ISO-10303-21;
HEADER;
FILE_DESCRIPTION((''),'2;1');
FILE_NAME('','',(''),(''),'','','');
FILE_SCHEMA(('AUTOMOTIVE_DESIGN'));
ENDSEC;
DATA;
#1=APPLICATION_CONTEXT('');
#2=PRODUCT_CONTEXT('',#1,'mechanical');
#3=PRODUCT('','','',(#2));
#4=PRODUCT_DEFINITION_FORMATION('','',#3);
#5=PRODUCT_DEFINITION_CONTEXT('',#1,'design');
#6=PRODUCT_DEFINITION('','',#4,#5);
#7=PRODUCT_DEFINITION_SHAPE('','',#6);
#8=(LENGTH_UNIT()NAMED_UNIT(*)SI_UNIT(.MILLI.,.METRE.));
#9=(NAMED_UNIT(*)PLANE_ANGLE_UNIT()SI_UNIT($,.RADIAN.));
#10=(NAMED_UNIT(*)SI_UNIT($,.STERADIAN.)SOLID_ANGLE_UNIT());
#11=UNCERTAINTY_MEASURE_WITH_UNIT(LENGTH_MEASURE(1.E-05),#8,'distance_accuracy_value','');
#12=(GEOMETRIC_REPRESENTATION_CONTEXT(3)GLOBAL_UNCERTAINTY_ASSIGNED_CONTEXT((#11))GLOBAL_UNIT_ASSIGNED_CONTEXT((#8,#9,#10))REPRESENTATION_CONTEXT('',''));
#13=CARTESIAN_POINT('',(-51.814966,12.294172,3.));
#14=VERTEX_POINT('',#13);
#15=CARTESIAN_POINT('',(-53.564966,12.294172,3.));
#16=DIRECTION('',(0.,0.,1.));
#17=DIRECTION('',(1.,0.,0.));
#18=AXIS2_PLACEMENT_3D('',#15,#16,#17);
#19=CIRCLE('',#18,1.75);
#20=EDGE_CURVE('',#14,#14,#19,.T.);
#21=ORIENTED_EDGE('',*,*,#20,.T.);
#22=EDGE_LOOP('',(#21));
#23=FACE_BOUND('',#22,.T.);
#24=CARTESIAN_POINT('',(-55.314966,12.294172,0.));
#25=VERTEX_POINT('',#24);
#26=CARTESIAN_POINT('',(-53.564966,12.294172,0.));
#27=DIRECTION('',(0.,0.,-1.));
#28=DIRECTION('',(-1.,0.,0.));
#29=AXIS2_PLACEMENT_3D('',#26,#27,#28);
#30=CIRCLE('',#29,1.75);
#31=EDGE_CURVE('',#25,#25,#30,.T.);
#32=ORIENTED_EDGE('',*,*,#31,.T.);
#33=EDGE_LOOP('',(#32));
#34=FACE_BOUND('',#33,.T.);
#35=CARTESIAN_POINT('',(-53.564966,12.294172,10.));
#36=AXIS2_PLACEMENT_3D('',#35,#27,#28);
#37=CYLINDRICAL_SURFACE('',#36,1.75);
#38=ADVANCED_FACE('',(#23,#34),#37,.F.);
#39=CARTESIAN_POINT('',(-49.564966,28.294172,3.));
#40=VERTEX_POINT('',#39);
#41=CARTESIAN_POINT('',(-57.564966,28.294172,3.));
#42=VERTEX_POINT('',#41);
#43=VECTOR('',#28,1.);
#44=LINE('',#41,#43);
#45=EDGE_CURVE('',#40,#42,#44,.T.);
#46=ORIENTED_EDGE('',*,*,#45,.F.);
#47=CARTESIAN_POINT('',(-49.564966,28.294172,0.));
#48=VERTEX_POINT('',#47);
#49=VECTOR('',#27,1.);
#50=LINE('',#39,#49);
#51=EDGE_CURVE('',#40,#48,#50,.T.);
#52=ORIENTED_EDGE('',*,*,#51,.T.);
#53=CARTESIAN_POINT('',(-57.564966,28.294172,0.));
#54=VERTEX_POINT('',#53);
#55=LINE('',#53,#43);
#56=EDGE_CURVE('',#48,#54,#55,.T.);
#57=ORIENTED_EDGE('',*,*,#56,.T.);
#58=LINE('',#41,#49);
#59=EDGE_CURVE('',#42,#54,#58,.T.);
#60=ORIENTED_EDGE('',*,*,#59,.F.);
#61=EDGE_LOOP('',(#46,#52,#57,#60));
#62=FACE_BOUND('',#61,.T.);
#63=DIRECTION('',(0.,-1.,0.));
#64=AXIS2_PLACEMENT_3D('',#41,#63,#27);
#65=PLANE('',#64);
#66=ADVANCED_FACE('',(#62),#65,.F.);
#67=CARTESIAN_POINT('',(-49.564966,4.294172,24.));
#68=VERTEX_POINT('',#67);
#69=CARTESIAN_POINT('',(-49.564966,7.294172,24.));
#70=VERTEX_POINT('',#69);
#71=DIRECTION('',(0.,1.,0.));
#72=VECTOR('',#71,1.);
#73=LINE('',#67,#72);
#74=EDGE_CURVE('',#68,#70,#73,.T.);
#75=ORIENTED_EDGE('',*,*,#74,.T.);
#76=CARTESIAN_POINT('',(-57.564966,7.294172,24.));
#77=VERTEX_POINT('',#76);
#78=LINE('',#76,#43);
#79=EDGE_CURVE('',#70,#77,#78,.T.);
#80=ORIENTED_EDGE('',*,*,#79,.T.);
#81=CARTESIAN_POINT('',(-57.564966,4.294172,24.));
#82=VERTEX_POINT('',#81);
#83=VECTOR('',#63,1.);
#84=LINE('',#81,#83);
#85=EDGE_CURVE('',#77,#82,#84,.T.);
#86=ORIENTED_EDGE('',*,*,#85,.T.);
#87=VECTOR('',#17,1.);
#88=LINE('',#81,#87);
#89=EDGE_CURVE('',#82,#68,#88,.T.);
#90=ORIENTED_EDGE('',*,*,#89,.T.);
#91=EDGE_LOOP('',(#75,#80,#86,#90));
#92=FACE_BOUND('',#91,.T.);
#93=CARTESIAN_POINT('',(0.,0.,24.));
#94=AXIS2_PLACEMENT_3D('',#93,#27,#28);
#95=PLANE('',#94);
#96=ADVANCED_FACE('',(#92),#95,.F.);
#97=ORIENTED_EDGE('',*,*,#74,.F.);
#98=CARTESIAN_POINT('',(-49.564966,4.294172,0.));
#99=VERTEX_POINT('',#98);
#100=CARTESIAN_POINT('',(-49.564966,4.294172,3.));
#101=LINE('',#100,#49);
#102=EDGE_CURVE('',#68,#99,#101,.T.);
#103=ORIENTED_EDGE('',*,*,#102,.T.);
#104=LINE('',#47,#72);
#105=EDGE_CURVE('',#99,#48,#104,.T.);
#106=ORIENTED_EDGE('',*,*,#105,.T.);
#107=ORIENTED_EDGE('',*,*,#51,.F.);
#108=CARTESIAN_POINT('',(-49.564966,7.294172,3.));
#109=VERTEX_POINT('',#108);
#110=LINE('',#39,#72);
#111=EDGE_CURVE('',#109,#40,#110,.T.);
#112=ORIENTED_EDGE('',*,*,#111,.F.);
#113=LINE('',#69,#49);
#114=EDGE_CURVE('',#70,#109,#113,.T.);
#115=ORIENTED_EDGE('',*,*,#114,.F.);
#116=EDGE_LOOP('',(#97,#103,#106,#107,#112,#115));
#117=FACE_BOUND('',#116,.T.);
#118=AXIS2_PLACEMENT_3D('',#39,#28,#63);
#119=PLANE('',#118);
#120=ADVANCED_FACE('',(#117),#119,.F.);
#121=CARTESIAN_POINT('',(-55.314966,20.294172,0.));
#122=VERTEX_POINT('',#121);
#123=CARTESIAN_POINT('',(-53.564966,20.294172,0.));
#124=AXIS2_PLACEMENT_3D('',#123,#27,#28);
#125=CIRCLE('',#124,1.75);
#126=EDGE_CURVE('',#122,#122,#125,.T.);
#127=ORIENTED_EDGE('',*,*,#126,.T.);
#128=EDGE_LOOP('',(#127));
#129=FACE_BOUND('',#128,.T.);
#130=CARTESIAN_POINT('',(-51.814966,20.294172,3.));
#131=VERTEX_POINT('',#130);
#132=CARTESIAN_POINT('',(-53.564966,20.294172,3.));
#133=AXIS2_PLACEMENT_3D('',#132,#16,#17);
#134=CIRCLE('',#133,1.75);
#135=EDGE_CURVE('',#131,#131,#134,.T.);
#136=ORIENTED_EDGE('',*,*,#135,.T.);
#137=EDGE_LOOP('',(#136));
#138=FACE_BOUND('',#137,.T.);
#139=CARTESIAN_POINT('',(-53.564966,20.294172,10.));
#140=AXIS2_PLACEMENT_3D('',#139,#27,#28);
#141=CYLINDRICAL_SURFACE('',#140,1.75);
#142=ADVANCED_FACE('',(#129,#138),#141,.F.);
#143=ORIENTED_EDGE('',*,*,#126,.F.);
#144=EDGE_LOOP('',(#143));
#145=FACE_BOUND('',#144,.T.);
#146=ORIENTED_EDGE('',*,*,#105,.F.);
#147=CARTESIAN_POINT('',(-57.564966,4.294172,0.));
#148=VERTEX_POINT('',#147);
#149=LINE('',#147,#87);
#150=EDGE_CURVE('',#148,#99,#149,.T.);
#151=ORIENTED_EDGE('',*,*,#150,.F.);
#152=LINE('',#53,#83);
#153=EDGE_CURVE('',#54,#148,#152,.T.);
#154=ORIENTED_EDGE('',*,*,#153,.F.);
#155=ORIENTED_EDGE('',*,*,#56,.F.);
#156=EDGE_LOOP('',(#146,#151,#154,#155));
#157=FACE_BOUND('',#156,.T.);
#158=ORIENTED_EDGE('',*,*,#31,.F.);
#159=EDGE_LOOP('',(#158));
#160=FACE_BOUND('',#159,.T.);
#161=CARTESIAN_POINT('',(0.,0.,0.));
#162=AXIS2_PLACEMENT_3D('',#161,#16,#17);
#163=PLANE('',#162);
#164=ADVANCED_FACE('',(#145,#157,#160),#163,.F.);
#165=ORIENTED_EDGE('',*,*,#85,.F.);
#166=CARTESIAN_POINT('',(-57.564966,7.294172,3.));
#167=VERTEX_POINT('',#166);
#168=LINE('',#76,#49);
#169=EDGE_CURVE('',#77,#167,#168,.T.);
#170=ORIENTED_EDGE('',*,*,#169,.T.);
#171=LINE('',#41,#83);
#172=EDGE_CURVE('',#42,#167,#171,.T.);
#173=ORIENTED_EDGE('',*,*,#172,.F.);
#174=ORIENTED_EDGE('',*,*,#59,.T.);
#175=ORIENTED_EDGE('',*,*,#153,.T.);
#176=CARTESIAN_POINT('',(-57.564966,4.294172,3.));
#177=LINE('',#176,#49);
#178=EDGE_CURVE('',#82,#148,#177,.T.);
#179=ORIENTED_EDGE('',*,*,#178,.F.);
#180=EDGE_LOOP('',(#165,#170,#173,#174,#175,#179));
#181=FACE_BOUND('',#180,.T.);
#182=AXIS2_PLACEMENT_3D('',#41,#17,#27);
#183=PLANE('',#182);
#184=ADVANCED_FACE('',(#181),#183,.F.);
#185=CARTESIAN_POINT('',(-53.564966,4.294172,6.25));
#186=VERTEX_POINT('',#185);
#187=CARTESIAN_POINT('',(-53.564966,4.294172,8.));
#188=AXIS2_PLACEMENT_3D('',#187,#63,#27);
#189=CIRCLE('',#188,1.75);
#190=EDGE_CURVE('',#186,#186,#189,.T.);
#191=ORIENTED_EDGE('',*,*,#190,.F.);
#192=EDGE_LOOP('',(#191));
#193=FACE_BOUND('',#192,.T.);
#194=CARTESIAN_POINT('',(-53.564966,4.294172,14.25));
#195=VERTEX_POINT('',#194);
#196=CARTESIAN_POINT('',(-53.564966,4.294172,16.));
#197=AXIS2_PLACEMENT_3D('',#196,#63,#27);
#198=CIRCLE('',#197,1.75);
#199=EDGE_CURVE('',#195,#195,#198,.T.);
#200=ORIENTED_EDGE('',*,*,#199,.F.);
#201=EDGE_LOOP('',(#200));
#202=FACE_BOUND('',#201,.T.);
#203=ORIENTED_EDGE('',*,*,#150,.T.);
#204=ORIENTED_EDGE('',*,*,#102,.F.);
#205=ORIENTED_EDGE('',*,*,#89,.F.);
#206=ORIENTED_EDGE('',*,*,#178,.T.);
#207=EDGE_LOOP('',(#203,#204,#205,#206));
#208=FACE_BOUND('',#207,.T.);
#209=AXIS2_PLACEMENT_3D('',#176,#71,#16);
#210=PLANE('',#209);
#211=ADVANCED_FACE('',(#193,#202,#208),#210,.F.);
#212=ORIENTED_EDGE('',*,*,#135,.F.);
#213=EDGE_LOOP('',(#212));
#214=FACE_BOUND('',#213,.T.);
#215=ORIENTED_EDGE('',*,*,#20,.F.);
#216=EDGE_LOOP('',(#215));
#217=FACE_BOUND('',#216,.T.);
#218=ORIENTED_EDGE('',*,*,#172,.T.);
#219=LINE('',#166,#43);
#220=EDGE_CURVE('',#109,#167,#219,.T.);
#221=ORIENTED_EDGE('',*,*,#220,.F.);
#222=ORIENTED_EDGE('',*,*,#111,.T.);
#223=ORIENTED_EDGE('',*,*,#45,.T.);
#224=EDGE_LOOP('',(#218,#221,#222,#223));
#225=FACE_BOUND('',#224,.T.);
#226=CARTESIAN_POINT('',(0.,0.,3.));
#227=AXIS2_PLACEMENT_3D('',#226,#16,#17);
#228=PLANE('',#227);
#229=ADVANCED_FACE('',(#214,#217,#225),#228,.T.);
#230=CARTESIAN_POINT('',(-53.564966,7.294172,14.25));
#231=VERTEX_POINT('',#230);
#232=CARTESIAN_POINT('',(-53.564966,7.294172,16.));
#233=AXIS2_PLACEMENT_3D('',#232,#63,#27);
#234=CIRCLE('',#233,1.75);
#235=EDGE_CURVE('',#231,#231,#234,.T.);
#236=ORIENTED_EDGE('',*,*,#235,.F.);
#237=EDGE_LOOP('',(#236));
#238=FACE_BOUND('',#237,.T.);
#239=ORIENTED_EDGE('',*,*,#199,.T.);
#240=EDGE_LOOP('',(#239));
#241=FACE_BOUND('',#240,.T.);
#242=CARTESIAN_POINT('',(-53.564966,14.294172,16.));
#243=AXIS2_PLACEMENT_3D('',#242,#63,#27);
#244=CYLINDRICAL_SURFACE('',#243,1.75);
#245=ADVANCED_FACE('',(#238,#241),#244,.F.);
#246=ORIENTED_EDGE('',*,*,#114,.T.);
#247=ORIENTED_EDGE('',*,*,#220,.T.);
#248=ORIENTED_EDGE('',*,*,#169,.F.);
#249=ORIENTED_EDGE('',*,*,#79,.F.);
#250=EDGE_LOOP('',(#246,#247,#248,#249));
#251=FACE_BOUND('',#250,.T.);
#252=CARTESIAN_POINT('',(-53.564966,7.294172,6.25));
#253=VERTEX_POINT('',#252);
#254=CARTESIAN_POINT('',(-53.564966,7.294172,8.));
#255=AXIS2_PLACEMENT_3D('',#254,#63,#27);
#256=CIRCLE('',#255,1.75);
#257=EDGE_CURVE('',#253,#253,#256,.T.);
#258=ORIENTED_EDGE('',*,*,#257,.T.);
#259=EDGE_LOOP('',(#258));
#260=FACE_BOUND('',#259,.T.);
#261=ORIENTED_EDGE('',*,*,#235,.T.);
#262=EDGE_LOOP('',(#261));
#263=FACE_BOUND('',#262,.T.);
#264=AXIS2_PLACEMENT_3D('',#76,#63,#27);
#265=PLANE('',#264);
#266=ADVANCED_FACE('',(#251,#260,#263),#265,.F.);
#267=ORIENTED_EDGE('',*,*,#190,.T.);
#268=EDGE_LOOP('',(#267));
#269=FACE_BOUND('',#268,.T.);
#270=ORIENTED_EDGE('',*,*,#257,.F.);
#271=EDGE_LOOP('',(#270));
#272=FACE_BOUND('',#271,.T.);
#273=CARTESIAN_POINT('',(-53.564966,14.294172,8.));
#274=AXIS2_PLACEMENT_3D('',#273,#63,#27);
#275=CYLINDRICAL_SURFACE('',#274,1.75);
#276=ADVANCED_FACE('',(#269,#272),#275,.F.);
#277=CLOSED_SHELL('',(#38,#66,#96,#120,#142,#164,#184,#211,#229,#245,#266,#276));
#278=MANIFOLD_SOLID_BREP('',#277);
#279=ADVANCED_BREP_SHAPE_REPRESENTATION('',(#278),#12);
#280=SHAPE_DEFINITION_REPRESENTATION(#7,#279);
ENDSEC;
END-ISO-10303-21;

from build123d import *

# Parameters (mm, degrees)
SKETCH2_W           = 8
SKETCH2_H           = 24
BOSS_EXTRUDE1_DEPTH = 3
SKETCH3_W           = 8
SKETCH3_H           = 3
BOSS_EXTRUDE2_DEPTH = 21
SKETCH7_R           = 1.75
CUT_EXTRUDE3_DEPTH  = 10
SKETCH8_R           = 1.75
CUT_EXTRUDE4_DEPTH  = 10


with BuildPart() as part:
    # Sketch2 → Boss-Extrude1 (new body)
    with BuildSketch(Plane.XY):
        with Locations((-53.564966099, 16.294171637)):
            Rectangle(SKETCH2_W, SKETCH2_H)
    extrude(amount=BOSS_EXTRUDE1_DEPTH)

    # Sketch3 → Boss-Extrude2 (add)
    with BuildSketch(Plane.XY.offset(3)):
        with Locations((-53.564966099, 5.794171637)):
            Rectangle(SKETCH3_W, SKETCH3_H)
    extrude(amount=BOSS_EXTRUDE2_DEPTH)

    # Sketch7 → Cut-Extrude3 (cut)
    with BuildSketch(Plane(origin=(0, 0, 0), x_dir=(-1, 0, 0), z_dir=(0, 0, -1))):
        with Locations((53.564966099, 12.294171637)):
            Circle(SKETCH7_R)
        with Locations((53.564966099, 20.294171637)):
            Circle(SKETCH7_R)
    extrude(amount=-CUT_EXTRUDE3_DEPTH, mode=Mode.SUBTRACT)

    # Sketch8 → Cut-Extrude4 (cut)
    with BuildSketch(Plane.XZ.offset(-4.294171637)):
        with Locations(Location((-53.564966099, 8, 0), (0, 0, 270))):
            Circle(SKETCH8_R)
        with Locations(Location((-53.564966099, 16, 0), (0, 0, 270))):
            Circle(SKETCH8_R)
    extrude(amount=-CUT_EXTRUDE4_DEPTH, mode=Mode.SUBTRACT)


solid = part.part
